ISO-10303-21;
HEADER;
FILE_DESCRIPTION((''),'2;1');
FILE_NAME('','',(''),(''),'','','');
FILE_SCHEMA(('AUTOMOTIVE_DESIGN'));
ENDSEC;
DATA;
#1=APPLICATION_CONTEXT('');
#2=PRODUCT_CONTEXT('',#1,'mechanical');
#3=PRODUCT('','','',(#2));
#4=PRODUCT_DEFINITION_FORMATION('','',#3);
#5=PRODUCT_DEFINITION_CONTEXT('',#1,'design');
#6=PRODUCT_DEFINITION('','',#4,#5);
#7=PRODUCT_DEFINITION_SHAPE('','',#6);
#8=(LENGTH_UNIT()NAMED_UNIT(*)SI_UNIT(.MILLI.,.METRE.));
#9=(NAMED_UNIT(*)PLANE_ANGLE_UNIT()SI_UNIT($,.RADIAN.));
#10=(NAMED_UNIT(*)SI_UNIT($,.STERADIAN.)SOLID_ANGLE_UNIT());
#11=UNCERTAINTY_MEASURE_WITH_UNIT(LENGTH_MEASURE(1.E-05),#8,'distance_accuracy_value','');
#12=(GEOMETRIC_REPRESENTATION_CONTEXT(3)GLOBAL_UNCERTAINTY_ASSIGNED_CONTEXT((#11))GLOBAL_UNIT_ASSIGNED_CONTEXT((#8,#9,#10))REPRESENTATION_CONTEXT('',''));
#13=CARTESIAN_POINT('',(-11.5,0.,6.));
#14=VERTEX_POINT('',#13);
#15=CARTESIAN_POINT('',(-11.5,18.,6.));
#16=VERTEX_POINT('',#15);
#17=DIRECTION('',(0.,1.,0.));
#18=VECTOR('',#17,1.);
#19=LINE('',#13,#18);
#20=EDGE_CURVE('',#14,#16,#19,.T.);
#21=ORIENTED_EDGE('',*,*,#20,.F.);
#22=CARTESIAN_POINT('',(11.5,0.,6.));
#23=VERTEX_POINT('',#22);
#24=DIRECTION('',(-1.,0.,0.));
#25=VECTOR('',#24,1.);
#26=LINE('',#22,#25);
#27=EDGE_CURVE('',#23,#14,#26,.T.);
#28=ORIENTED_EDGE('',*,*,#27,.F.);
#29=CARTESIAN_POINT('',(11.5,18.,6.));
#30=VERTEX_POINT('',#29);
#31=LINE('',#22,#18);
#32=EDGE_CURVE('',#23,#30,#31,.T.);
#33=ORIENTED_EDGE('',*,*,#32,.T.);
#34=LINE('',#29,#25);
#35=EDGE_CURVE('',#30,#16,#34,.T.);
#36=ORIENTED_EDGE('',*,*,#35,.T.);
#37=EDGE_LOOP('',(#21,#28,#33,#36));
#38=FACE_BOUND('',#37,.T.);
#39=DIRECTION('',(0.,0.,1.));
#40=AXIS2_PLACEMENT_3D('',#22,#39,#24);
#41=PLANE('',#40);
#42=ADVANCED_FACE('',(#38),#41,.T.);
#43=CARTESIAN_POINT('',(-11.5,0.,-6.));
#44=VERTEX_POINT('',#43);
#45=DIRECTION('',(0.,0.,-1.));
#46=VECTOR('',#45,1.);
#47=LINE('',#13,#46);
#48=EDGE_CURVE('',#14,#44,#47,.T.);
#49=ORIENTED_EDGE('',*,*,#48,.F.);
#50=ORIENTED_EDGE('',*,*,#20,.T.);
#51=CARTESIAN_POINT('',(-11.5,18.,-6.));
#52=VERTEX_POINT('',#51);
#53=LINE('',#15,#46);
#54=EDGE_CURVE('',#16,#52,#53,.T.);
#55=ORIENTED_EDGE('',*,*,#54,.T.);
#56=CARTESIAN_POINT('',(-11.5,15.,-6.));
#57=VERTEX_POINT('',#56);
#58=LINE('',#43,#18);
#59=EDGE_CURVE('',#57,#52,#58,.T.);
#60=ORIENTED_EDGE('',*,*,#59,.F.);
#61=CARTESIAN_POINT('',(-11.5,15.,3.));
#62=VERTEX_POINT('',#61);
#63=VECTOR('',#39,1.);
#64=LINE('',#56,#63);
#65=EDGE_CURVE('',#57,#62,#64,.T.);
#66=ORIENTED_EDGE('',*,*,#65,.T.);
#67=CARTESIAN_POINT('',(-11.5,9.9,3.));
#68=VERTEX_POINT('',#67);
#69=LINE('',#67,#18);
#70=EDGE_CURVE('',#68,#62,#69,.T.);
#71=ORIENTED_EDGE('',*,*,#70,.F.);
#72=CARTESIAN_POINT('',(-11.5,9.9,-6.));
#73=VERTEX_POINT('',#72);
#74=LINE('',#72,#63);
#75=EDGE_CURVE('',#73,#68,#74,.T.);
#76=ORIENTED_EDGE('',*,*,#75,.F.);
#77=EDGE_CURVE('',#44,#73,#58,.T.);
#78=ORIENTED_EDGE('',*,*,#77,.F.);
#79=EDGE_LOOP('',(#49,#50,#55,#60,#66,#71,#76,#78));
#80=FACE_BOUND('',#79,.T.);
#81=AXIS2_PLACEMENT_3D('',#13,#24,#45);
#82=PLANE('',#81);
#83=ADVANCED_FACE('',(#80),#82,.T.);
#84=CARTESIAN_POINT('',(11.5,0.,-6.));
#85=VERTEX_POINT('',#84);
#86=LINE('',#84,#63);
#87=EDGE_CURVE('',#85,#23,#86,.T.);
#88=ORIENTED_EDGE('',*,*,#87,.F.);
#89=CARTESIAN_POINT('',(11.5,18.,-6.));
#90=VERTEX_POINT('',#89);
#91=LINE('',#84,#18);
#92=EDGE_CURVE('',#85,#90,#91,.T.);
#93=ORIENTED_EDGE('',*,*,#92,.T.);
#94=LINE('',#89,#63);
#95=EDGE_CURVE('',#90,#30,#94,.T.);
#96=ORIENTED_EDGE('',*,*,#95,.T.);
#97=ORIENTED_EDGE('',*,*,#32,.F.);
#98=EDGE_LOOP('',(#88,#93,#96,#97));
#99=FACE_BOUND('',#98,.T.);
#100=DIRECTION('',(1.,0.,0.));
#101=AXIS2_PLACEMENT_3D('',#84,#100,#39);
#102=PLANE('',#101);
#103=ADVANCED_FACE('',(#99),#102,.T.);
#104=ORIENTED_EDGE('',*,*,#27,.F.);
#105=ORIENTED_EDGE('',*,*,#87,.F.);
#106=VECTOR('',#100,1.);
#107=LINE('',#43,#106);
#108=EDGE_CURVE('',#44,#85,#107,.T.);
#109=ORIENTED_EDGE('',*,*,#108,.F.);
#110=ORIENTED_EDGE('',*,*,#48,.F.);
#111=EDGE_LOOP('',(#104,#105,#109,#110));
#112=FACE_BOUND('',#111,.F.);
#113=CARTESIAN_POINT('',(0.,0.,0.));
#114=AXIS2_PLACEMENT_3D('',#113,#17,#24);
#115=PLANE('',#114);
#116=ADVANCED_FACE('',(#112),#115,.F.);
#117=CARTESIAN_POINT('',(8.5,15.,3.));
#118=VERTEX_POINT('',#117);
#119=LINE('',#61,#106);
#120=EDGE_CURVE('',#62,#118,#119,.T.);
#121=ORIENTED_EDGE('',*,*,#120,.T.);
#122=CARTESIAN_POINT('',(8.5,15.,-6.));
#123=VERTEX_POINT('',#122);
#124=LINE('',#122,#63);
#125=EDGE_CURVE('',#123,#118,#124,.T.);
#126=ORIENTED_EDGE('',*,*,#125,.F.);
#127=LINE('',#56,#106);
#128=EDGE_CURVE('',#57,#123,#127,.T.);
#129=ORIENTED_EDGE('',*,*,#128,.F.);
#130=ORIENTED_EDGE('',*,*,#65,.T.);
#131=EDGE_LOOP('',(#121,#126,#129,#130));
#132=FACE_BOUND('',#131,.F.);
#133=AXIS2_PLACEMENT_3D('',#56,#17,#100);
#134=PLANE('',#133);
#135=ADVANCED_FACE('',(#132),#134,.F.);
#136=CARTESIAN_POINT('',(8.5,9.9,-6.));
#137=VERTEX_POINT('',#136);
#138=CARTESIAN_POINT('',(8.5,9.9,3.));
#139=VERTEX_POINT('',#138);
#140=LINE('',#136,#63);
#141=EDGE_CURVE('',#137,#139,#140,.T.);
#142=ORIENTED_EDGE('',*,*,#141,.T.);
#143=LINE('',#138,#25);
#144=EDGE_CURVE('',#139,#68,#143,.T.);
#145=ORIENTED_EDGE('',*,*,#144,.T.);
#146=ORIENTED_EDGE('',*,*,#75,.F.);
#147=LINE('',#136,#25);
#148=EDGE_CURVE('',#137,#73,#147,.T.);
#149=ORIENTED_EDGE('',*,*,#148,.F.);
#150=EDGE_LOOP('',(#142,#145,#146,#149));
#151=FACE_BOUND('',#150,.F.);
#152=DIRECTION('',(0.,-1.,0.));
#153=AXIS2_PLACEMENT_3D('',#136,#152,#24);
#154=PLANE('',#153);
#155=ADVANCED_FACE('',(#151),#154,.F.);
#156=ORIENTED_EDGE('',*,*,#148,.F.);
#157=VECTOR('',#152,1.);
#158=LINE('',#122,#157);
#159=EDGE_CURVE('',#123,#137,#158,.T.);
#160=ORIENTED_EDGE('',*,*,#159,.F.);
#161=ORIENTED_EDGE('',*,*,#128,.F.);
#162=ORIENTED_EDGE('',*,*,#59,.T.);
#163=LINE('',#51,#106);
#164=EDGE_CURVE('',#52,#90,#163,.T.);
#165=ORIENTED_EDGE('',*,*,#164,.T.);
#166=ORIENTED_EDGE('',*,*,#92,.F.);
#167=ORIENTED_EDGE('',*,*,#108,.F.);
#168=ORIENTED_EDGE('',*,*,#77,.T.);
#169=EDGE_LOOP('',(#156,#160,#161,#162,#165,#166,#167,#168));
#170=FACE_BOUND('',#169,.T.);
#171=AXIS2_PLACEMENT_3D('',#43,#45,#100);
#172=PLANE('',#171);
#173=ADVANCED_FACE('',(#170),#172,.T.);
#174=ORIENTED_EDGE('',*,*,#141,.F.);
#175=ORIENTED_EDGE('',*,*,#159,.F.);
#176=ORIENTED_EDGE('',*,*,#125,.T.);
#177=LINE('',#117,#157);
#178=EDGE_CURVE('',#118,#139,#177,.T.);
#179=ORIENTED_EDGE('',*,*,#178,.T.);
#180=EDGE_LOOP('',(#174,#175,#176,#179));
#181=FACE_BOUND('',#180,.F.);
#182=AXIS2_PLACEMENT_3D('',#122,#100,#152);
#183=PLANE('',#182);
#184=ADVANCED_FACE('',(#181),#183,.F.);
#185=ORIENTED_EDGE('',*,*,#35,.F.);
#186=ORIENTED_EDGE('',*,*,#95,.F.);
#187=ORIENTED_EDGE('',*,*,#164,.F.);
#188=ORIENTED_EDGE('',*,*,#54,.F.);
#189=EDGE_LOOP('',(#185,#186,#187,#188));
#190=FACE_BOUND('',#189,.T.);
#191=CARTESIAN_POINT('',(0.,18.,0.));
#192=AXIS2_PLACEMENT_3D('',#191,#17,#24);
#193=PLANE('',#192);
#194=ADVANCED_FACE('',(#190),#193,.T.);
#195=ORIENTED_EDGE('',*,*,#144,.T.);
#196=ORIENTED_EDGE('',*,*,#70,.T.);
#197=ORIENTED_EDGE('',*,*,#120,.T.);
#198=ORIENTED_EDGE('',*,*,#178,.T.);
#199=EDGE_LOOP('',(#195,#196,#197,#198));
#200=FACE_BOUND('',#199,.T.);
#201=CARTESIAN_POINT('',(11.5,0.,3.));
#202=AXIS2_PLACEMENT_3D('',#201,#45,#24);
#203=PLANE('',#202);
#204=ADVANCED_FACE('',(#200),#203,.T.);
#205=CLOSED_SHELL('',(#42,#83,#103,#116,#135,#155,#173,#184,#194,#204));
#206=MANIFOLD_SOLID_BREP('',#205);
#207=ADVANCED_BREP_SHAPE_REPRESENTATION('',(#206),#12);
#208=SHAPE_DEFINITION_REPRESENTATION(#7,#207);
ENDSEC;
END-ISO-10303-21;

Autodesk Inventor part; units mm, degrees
ref_plane "YZ Plane" through (0, 0, 0) normal (1, 0, 0) x (0, 1, 0)
ref_plane "XZ Plane" through (0, 0, 0) normal (0, 1, 0) x (-1, 0, 0)
ref_plane "XY Plane" through (0, 0, 0) normal (0, 0, 1) x (1, 0, 0)
sketch "base" plane through (0, 0, 0) normal (0, 1, 0) x (-1, 0, 0)
  line L0 (-11.5, 6) -> (11.5, 6)
  line L1 (11.5, 6) -> (11.5, -6)
  line L2 (11.5, -6) -> (-11.5, -6)
  line L3 (-11.5, -6) -> (-11.5, 6)
  line L4 (-11.5, 6) -> (11.5, -6) construction
  line L5 (11.5, 6) -> (-11.5, -6) construction
  point P0 (0, 0)
  dimension "d0" = 23
  dimension "d1" = 12
extrude "Extrusion1" add sketch "base" along normal blind 18
sketch "Sketch2" plane through (11.5, 0, -6) normal (0, 0, -1) x (-1, 0, 0)
  line L0 (23, 15) -> (3, 15)
  line L1 (3, 15) -> (3, 9.9)
  line L2 (3, 9.9) -> (23, 9.9)
  line L3 (23, 9.9) -> (23, 15)
  line L4 (23, 0) -> (23, 18) projected
  line L5 (0, 18) -> (23, 18) projected
  line L6 (0, 0) -> (0, 18) projected
  point P0 (11.5, 0)
  dimension "d4" = 3
  dimension "d5" = 5.1
  dimension "d6" = 3
extrude "Extrusion2" cut sketch "Sketch2" against normal blind 9
equation "\"d6\" = d4"
properties part number "peg_TL"
